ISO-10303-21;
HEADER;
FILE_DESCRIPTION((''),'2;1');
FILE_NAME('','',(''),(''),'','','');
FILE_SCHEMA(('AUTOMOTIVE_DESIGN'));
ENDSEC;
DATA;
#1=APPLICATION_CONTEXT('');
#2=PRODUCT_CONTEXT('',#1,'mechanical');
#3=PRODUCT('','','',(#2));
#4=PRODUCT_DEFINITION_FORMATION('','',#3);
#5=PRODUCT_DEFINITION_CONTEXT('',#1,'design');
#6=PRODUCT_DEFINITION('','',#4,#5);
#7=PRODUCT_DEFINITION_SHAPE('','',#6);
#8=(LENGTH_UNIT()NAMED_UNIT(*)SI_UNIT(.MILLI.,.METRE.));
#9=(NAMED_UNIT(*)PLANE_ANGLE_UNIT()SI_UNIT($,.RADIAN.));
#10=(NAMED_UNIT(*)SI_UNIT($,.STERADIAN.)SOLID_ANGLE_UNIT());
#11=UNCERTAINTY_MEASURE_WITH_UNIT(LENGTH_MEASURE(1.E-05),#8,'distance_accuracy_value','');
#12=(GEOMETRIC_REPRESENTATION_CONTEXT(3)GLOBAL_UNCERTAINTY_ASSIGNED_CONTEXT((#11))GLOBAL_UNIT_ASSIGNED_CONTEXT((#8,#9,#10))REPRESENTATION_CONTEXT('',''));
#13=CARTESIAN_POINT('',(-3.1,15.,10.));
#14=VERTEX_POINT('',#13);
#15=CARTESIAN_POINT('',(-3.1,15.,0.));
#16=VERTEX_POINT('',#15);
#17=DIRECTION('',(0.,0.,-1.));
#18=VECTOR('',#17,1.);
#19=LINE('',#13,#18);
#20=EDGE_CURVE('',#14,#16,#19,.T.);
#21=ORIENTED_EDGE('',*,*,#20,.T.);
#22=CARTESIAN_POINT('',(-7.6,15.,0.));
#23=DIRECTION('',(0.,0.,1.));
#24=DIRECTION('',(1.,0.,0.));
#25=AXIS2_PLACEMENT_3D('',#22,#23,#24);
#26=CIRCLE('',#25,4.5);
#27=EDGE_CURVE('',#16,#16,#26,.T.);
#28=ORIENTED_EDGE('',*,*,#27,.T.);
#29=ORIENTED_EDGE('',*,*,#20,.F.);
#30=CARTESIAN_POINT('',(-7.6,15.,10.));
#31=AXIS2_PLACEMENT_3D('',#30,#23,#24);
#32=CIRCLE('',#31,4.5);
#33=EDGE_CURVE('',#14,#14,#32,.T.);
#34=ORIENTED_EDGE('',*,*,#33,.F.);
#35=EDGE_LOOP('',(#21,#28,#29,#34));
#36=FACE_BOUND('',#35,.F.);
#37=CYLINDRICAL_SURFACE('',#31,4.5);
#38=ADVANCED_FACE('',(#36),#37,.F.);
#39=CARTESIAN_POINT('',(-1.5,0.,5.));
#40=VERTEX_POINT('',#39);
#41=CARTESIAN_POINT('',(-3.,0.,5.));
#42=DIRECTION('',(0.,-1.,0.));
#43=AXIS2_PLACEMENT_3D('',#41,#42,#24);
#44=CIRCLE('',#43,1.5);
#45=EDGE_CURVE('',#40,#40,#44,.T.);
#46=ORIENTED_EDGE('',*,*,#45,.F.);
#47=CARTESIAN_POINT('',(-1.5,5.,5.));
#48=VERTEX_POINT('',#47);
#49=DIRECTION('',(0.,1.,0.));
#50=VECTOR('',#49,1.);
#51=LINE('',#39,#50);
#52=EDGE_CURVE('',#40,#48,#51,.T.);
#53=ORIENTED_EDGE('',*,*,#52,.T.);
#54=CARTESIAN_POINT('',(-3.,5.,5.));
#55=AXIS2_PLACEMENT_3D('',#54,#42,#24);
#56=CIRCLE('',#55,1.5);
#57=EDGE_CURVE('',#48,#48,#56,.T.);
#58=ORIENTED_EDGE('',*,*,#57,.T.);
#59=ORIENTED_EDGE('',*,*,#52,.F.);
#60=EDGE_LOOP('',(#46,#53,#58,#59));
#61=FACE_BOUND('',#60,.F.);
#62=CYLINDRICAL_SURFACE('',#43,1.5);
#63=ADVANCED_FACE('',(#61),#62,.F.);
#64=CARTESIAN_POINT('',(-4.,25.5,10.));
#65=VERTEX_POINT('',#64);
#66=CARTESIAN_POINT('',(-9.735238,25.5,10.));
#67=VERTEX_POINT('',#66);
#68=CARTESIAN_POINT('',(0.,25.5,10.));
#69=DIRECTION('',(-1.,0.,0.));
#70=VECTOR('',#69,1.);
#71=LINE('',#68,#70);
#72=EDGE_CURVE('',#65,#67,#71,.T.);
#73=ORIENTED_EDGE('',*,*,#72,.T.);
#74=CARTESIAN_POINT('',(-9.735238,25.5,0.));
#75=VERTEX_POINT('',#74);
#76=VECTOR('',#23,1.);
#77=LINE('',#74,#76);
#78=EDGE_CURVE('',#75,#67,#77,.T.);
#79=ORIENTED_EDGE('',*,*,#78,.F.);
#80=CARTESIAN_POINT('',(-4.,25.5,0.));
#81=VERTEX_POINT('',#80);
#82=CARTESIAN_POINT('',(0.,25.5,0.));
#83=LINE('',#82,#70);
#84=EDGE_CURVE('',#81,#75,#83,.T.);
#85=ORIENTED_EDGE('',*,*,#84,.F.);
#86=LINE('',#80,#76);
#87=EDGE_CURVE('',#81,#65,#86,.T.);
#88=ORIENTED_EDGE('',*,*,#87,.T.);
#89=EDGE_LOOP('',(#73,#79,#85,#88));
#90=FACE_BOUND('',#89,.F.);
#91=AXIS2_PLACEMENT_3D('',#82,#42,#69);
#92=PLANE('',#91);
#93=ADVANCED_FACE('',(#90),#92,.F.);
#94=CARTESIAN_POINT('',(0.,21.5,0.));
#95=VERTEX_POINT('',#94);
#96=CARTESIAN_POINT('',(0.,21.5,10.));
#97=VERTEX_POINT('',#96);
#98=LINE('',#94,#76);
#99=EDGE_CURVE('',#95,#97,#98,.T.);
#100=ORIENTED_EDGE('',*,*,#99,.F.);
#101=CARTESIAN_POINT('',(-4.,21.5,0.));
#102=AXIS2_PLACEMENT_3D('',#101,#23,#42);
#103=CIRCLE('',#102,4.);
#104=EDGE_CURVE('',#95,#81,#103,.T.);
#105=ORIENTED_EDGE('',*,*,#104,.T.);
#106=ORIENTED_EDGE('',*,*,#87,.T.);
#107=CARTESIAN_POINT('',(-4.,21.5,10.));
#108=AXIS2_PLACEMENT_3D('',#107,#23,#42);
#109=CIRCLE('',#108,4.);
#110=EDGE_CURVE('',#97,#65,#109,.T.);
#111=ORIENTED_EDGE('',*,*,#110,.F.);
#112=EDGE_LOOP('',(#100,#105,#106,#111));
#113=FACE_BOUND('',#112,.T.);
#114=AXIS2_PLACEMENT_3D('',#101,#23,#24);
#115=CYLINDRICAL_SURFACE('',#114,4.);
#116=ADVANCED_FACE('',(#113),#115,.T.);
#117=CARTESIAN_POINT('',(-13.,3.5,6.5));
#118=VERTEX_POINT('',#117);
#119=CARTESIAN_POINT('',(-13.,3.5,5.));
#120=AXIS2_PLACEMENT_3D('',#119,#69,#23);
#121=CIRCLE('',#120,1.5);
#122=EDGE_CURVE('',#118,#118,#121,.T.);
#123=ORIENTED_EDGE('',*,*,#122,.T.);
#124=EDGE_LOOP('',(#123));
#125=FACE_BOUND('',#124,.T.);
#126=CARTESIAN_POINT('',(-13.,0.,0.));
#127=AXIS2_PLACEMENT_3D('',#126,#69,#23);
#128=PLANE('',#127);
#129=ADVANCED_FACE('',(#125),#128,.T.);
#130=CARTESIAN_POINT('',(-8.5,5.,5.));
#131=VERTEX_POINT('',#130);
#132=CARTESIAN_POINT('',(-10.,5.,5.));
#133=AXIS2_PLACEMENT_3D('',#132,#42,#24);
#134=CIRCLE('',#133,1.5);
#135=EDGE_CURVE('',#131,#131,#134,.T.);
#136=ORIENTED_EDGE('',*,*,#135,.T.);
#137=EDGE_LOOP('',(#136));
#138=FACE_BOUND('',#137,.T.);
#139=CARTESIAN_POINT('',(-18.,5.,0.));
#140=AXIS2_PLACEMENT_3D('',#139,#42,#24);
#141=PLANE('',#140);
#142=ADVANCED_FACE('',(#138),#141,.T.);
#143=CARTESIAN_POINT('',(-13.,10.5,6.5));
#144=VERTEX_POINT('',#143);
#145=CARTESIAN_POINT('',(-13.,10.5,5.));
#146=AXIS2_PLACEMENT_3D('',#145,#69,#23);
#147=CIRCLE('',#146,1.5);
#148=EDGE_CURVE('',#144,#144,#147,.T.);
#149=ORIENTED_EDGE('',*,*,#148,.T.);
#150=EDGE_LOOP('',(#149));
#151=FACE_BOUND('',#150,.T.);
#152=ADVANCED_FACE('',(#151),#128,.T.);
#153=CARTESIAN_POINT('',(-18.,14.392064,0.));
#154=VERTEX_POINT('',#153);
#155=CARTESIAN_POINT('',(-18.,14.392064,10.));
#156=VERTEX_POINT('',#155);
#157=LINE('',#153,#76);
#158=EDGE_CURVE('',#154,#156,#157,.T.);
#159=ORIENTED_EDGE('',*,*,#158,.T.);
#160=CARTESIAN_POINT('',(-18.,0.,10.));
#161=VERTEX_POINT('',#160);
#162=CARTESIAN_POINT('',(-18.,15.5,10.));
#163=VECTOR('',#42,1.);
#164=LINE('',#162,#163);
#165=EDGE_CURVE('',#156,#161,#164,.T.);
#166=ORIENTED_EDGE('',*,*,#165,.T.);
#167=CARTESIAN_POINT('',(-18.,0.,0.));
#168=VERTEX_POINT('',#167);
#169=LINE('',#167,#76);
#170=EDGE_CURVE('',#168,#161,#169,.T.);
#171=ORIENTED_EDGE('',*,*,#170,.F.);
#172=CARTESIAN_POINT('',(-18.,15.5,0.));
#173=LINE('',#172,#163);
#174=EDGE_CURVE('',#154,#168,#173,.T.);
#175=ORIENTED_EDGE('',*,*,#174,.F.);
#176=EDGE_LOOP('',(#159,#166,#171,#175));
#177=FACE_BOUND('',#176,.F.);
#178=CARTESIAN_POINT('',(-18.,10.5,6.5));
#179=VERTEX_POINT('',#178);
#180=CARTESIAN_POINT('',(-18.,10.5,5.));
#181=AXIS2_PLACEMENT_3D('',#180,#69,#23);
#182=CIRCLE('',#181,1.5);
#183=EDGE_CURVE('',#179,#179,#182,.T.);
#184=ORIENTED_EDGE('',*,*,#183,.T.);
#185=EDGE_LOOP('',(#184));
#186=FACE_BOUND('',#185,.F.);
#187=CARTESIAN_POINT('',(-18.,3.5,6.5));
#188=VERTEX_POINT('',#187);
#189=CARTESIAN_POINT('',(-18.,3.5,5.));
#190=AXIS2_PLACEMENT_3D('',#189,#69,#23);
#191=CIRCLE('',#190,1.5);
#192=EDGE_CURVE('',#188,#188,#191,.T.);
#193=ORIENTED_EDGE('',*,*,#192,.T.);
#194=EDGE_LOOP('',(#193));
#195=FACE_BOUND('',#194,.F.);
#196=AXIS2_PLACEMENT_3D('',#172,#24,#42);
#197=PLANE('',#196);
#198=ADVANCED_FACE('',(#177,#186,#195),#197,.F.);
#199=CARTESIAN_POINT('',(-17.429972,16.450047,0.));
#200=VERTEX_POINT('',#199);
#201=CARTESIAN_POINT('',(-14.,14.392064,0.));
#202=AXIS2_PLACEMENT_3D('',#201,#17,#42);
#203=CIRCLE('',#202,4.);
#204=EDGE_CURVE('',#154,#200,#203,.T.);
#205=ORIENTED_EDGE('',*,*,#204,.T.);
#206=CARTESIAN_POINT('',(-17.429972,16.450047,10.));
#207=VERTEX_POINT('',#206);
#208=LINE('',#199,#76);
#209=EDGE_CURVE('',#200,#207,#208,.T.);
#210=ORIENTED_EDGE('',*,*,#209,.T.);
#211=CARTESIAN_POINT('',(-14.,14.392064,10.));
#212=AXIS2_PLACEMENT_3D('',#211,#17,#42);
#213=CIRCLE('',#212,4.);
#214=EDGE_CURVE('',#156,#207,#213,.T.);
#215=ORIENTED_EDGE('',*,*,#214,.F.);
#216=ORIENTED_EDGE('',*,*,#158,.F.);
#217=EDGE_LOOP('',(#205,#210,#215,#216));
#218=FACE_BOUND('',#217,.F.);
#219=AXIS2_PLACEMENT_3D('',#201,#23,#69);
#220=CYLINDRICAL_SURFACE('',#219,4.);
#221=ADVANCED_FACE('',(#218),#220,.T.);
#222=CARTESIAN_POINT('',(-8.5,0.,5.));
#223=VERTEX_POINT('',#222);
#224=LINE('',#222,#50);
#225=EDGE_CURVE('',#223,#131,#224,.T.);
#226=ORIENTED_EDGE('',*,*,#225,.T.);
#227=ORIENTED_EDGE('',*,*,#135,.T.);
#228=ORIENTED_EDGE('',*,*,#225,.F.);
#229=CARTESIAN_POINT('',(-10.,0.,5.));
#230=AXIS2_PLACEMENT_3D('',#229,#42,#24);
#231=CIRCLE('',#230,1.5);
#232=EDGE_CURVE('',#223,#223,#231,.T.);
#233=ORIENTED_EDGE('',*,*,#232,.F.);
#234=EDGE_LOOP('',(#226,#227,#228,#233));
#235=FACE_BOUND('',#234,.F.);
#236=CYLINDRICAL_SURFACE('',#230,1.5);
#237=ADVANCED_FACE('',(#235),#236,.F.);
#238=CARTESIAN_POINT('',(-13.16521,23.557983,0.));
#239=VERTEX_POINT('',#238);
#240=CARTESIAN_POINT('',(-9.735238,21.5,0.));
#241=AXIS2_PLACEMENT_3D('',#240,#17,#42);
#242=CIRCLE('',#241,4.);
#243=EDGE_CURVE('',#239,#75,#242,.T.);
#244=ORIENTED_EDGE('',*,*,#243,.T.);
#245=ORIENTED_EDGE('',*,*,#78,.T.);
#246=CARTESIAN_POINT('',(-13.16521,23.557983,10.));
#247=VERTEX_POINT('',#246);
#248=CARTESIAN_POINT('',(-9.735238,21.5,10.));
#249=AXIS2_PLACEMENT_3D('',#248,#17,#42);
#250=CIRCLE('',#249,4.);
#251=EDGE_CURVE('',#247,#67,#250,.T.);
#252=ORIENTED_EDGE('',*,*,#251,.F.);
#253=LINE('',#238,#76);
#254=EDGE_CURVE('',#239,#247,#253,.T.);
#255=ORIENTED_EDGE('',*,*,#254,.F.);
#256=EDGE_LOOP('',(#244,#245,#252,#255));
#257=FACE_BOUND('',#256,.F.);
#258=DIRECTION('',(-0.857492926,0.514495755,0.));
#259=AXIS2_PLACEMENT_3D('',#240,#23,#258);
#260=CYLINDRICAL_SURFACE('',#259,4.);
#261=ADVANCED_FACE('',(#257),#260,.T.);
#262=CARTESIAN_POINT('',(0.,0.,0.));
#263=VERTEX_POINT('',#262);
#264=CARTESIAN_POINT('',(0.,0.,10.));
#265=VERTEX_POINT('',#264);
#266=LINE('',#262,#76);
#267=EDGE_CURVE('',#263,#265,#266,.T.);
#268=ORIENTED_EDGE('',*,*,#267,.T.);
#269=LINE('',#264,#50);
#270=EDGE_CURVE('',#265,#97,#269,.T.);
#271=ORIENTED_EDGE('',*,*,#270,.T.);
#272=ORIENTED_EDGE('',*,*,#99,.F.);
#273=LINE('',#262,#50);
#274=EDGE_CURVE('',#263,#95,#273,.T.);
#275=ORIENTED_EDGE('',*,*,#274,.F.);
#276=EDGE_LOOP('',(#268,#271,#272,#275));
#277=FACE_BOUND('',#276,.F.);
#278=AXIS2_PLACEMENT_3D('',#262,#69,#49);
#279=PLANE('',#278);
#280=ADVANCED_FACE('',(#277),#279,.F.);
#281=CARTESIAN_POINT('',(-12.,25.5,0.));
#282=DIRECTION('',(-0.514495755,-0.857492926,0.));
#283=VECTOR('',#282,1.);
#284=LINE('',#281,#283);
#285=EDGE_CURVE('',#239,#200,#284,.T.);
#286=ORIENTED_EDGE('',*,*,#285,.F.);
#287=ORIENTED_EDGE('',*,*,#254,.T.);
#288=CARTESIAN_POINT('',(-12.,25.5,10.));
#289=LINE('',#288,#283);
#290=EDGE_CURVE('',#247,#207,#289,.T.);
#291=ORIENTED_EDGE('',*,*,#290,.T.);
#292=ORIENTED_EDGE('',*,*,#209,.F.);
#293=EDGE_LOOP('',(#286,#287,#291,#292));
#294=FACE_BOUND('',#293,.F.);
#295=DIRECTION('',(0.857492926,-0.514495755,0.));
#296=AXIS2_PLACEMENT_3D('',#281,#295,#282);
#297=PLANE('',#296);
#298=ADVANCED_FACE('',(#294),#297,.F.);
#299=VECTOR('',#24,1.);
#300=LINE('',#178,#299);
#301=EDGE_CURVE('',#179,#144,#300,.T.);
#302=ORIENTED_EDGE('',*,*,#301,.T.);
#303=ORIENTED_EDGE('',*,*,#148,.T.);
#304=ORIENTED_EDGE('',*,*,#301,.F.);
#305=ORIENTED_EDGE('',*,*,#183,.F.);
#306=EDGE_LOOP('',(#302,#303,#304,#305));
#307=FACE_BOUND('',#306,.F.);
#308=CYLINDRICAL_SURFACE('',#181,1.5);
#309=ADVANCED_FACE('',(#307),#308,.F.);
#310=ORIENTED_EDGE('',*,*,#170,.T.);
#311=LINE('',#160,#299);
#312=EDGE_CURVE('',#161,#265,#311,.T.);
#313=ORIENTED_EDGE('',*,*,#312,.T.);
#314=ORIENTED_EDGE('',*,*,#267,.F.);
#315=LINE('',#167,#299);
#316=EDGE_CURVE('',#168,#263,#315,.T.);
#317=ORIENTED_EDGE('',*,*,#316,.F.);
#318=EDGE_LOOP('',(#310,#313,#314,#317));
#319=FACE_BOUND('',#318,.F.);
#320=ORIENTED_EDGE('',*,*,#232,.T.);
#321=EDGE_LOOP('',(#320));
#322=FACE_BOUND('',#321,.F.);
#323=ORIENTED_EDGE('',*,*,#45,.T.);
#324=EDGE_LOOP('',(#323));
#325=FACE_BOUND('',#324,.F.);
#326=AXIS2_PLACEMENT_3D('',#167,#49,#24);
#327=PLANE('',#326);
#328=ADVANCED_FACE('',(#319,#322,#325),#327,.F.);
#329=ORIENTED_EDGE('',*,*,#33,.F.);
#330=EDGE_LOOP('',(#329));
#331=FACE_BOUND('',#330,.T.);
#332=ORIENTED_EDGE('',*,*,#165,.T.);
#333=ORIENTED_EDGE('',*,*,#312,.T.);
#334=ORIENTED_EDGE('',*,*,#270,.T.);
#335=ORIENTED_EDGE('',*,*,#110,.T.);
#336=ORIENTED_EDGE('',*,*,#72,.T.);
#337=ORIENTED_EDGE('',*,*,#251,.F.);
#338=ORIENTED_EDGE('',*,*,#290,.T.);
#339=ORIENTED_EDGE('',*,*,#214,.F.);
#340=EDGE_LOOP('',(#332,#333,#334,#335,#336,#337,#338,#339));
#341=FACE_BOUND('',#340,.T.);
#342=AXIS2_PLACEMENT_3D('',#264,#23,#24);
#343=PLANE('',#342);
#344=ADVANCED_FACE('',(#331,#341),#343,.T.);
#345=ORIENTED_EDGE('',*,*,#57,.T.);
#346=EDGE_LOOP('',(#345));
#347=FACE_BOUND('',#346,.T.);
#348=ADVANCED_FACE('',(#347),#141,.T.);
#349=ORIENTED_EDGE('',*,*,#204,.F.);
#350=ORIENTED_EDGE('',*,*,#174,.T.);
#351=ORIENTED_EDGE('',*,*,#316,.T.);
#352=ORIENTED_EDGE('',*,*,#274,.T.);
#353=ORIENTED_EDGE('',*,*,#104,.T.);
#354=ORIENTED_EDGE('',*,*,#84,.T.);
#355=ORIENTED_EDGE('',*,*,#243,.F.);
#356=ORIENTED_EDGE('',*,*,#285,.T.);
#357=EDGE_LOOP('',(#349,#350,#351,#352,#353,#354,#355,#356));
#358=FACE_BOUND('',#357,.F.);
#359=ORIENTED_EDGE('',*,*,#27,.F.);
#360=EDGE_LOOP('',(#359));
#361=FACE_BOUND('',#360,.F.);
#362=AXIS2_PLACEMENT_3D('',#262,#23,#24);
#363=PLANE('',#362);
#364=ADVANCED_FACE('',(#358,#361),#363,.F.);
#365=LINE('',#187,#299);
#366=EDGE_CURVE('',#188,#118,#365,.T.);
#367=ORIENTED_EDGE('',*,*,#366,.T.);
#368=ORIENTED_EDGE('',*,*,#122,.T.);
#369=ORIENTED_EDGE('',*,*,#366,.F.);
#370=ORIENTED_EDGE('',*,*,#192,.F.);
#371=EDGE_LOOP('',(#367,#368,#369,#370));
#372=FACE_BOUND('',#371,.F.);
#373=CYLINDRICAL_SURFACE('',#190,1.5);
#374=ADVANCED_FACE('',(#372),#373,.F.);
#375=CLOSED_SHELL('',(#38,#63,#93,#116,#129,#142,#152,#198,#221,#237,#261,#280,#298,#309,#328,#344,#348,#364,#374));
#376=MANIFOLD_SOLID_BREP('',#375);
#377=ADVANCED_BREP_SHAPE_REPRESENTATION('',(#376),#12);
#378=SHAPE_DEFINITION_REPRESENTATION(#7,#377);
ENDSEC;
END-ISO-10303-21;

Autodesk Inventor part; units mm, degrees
ref_plane "YZ Plane" through (0, 0, 0) normal (1, 0, 0) x (0, 1, 0)
ref_plane "XZ Plane" through (0, 0, 0) normal (0, 1, 0) x (-1, 0, 0)
ref_plane "XY Plane" through (0, 0, 0) normal (0, 0, 1) x (1, 0, 0)
sketch "Esquisse1" plane through (0, 0, 0) normal (0, 0, 1) x (1, 0, 0)
  line L0 (0, 0) -> (0, 25.5)
  line L1 (0, 25.5) -> (-12, 25.5)
  line L2 (-12, 25.5) -> (-18, 15.5)
  line L3 (-18, 15.5) -> (-18, 0)
  line L4 (-18, 0) -> (0, 0)
  dimension "d0" = 18
  dimension "d1" = 25.5
  dimension "d2" = 15.5
  dimension "d3" = 12
extrude "Extrusion1" add sketch "Esquisse1" along normal blind 10
sketch "Esquisse2" plane through (0, 0, 10) normal (0, 0, 1) x (1, 0, 0)
  circle A0 centre (-7.6, 15) radius 4.5
  line L0 (-18, 0) -> (0, 0) projected
  line L1 (0, 0) -> (0, 25.5) projected
  dimension "d6" = 9
  dimension "d7" = 15
  dimension "d8" = 7.6
extrude "Extrusion2" cut sketch "Esquisse2" against normal through all
sketch "Esquisse3" plane through (-18, 0, 0) normal (-1, 0, 0) x (0, 0, 1)
  circle A0 centre (5, 10.5) radius 1.5
  circle A1 centre (5, 3.5) radius 1.5
  line L0 (10, 15.5) -> (10, 0) projected
  line L1 (0, 15.5) -> (0, 0) projected
  line L2 (0, 0) -> (10, 0) projected
  dimension "d11" = 3
  dimension "d12" = 10
  dimension "d13" = 5
  dimension "d14" = 7
  dimension "d15" = 3.5
extrude "Extrusion3" cut sketch "Esquisse3" against normal blind 5
sketch "Esquisse4" plane through (-18, 0, 0) normal (0, -1, 0) x (1, 0, 0)
  circle A0 centre (8, 5) radius 1.5
  circle A1 centre (15, 5) radius 1.5
  line L0 (0, 10) -> (18, 10) projected
  line L1 (0, 0) -> (18, 0) projected
  line L2 (18, 0) -> (18, 10) projected
  dimension "d18" = 10
  dimension "d19" = 5
  dimension "d20" = 7
  dimension "d21" = 3
  dimension "d22" = 3
extrude "Extrusion4" cut sketch "Esquisse4" against normal blind 5
fillet "Congé1" radius 4 3 edges at (-12, 25.5, 5) (0, 25.5, 5) (-18, 15.5, 5)
equation "\"d13\" = 0.5 * d12"
equation "\"d19\" = 0.5 * d18"
properties part number "PilierCentral" material "Plastique ABS"
